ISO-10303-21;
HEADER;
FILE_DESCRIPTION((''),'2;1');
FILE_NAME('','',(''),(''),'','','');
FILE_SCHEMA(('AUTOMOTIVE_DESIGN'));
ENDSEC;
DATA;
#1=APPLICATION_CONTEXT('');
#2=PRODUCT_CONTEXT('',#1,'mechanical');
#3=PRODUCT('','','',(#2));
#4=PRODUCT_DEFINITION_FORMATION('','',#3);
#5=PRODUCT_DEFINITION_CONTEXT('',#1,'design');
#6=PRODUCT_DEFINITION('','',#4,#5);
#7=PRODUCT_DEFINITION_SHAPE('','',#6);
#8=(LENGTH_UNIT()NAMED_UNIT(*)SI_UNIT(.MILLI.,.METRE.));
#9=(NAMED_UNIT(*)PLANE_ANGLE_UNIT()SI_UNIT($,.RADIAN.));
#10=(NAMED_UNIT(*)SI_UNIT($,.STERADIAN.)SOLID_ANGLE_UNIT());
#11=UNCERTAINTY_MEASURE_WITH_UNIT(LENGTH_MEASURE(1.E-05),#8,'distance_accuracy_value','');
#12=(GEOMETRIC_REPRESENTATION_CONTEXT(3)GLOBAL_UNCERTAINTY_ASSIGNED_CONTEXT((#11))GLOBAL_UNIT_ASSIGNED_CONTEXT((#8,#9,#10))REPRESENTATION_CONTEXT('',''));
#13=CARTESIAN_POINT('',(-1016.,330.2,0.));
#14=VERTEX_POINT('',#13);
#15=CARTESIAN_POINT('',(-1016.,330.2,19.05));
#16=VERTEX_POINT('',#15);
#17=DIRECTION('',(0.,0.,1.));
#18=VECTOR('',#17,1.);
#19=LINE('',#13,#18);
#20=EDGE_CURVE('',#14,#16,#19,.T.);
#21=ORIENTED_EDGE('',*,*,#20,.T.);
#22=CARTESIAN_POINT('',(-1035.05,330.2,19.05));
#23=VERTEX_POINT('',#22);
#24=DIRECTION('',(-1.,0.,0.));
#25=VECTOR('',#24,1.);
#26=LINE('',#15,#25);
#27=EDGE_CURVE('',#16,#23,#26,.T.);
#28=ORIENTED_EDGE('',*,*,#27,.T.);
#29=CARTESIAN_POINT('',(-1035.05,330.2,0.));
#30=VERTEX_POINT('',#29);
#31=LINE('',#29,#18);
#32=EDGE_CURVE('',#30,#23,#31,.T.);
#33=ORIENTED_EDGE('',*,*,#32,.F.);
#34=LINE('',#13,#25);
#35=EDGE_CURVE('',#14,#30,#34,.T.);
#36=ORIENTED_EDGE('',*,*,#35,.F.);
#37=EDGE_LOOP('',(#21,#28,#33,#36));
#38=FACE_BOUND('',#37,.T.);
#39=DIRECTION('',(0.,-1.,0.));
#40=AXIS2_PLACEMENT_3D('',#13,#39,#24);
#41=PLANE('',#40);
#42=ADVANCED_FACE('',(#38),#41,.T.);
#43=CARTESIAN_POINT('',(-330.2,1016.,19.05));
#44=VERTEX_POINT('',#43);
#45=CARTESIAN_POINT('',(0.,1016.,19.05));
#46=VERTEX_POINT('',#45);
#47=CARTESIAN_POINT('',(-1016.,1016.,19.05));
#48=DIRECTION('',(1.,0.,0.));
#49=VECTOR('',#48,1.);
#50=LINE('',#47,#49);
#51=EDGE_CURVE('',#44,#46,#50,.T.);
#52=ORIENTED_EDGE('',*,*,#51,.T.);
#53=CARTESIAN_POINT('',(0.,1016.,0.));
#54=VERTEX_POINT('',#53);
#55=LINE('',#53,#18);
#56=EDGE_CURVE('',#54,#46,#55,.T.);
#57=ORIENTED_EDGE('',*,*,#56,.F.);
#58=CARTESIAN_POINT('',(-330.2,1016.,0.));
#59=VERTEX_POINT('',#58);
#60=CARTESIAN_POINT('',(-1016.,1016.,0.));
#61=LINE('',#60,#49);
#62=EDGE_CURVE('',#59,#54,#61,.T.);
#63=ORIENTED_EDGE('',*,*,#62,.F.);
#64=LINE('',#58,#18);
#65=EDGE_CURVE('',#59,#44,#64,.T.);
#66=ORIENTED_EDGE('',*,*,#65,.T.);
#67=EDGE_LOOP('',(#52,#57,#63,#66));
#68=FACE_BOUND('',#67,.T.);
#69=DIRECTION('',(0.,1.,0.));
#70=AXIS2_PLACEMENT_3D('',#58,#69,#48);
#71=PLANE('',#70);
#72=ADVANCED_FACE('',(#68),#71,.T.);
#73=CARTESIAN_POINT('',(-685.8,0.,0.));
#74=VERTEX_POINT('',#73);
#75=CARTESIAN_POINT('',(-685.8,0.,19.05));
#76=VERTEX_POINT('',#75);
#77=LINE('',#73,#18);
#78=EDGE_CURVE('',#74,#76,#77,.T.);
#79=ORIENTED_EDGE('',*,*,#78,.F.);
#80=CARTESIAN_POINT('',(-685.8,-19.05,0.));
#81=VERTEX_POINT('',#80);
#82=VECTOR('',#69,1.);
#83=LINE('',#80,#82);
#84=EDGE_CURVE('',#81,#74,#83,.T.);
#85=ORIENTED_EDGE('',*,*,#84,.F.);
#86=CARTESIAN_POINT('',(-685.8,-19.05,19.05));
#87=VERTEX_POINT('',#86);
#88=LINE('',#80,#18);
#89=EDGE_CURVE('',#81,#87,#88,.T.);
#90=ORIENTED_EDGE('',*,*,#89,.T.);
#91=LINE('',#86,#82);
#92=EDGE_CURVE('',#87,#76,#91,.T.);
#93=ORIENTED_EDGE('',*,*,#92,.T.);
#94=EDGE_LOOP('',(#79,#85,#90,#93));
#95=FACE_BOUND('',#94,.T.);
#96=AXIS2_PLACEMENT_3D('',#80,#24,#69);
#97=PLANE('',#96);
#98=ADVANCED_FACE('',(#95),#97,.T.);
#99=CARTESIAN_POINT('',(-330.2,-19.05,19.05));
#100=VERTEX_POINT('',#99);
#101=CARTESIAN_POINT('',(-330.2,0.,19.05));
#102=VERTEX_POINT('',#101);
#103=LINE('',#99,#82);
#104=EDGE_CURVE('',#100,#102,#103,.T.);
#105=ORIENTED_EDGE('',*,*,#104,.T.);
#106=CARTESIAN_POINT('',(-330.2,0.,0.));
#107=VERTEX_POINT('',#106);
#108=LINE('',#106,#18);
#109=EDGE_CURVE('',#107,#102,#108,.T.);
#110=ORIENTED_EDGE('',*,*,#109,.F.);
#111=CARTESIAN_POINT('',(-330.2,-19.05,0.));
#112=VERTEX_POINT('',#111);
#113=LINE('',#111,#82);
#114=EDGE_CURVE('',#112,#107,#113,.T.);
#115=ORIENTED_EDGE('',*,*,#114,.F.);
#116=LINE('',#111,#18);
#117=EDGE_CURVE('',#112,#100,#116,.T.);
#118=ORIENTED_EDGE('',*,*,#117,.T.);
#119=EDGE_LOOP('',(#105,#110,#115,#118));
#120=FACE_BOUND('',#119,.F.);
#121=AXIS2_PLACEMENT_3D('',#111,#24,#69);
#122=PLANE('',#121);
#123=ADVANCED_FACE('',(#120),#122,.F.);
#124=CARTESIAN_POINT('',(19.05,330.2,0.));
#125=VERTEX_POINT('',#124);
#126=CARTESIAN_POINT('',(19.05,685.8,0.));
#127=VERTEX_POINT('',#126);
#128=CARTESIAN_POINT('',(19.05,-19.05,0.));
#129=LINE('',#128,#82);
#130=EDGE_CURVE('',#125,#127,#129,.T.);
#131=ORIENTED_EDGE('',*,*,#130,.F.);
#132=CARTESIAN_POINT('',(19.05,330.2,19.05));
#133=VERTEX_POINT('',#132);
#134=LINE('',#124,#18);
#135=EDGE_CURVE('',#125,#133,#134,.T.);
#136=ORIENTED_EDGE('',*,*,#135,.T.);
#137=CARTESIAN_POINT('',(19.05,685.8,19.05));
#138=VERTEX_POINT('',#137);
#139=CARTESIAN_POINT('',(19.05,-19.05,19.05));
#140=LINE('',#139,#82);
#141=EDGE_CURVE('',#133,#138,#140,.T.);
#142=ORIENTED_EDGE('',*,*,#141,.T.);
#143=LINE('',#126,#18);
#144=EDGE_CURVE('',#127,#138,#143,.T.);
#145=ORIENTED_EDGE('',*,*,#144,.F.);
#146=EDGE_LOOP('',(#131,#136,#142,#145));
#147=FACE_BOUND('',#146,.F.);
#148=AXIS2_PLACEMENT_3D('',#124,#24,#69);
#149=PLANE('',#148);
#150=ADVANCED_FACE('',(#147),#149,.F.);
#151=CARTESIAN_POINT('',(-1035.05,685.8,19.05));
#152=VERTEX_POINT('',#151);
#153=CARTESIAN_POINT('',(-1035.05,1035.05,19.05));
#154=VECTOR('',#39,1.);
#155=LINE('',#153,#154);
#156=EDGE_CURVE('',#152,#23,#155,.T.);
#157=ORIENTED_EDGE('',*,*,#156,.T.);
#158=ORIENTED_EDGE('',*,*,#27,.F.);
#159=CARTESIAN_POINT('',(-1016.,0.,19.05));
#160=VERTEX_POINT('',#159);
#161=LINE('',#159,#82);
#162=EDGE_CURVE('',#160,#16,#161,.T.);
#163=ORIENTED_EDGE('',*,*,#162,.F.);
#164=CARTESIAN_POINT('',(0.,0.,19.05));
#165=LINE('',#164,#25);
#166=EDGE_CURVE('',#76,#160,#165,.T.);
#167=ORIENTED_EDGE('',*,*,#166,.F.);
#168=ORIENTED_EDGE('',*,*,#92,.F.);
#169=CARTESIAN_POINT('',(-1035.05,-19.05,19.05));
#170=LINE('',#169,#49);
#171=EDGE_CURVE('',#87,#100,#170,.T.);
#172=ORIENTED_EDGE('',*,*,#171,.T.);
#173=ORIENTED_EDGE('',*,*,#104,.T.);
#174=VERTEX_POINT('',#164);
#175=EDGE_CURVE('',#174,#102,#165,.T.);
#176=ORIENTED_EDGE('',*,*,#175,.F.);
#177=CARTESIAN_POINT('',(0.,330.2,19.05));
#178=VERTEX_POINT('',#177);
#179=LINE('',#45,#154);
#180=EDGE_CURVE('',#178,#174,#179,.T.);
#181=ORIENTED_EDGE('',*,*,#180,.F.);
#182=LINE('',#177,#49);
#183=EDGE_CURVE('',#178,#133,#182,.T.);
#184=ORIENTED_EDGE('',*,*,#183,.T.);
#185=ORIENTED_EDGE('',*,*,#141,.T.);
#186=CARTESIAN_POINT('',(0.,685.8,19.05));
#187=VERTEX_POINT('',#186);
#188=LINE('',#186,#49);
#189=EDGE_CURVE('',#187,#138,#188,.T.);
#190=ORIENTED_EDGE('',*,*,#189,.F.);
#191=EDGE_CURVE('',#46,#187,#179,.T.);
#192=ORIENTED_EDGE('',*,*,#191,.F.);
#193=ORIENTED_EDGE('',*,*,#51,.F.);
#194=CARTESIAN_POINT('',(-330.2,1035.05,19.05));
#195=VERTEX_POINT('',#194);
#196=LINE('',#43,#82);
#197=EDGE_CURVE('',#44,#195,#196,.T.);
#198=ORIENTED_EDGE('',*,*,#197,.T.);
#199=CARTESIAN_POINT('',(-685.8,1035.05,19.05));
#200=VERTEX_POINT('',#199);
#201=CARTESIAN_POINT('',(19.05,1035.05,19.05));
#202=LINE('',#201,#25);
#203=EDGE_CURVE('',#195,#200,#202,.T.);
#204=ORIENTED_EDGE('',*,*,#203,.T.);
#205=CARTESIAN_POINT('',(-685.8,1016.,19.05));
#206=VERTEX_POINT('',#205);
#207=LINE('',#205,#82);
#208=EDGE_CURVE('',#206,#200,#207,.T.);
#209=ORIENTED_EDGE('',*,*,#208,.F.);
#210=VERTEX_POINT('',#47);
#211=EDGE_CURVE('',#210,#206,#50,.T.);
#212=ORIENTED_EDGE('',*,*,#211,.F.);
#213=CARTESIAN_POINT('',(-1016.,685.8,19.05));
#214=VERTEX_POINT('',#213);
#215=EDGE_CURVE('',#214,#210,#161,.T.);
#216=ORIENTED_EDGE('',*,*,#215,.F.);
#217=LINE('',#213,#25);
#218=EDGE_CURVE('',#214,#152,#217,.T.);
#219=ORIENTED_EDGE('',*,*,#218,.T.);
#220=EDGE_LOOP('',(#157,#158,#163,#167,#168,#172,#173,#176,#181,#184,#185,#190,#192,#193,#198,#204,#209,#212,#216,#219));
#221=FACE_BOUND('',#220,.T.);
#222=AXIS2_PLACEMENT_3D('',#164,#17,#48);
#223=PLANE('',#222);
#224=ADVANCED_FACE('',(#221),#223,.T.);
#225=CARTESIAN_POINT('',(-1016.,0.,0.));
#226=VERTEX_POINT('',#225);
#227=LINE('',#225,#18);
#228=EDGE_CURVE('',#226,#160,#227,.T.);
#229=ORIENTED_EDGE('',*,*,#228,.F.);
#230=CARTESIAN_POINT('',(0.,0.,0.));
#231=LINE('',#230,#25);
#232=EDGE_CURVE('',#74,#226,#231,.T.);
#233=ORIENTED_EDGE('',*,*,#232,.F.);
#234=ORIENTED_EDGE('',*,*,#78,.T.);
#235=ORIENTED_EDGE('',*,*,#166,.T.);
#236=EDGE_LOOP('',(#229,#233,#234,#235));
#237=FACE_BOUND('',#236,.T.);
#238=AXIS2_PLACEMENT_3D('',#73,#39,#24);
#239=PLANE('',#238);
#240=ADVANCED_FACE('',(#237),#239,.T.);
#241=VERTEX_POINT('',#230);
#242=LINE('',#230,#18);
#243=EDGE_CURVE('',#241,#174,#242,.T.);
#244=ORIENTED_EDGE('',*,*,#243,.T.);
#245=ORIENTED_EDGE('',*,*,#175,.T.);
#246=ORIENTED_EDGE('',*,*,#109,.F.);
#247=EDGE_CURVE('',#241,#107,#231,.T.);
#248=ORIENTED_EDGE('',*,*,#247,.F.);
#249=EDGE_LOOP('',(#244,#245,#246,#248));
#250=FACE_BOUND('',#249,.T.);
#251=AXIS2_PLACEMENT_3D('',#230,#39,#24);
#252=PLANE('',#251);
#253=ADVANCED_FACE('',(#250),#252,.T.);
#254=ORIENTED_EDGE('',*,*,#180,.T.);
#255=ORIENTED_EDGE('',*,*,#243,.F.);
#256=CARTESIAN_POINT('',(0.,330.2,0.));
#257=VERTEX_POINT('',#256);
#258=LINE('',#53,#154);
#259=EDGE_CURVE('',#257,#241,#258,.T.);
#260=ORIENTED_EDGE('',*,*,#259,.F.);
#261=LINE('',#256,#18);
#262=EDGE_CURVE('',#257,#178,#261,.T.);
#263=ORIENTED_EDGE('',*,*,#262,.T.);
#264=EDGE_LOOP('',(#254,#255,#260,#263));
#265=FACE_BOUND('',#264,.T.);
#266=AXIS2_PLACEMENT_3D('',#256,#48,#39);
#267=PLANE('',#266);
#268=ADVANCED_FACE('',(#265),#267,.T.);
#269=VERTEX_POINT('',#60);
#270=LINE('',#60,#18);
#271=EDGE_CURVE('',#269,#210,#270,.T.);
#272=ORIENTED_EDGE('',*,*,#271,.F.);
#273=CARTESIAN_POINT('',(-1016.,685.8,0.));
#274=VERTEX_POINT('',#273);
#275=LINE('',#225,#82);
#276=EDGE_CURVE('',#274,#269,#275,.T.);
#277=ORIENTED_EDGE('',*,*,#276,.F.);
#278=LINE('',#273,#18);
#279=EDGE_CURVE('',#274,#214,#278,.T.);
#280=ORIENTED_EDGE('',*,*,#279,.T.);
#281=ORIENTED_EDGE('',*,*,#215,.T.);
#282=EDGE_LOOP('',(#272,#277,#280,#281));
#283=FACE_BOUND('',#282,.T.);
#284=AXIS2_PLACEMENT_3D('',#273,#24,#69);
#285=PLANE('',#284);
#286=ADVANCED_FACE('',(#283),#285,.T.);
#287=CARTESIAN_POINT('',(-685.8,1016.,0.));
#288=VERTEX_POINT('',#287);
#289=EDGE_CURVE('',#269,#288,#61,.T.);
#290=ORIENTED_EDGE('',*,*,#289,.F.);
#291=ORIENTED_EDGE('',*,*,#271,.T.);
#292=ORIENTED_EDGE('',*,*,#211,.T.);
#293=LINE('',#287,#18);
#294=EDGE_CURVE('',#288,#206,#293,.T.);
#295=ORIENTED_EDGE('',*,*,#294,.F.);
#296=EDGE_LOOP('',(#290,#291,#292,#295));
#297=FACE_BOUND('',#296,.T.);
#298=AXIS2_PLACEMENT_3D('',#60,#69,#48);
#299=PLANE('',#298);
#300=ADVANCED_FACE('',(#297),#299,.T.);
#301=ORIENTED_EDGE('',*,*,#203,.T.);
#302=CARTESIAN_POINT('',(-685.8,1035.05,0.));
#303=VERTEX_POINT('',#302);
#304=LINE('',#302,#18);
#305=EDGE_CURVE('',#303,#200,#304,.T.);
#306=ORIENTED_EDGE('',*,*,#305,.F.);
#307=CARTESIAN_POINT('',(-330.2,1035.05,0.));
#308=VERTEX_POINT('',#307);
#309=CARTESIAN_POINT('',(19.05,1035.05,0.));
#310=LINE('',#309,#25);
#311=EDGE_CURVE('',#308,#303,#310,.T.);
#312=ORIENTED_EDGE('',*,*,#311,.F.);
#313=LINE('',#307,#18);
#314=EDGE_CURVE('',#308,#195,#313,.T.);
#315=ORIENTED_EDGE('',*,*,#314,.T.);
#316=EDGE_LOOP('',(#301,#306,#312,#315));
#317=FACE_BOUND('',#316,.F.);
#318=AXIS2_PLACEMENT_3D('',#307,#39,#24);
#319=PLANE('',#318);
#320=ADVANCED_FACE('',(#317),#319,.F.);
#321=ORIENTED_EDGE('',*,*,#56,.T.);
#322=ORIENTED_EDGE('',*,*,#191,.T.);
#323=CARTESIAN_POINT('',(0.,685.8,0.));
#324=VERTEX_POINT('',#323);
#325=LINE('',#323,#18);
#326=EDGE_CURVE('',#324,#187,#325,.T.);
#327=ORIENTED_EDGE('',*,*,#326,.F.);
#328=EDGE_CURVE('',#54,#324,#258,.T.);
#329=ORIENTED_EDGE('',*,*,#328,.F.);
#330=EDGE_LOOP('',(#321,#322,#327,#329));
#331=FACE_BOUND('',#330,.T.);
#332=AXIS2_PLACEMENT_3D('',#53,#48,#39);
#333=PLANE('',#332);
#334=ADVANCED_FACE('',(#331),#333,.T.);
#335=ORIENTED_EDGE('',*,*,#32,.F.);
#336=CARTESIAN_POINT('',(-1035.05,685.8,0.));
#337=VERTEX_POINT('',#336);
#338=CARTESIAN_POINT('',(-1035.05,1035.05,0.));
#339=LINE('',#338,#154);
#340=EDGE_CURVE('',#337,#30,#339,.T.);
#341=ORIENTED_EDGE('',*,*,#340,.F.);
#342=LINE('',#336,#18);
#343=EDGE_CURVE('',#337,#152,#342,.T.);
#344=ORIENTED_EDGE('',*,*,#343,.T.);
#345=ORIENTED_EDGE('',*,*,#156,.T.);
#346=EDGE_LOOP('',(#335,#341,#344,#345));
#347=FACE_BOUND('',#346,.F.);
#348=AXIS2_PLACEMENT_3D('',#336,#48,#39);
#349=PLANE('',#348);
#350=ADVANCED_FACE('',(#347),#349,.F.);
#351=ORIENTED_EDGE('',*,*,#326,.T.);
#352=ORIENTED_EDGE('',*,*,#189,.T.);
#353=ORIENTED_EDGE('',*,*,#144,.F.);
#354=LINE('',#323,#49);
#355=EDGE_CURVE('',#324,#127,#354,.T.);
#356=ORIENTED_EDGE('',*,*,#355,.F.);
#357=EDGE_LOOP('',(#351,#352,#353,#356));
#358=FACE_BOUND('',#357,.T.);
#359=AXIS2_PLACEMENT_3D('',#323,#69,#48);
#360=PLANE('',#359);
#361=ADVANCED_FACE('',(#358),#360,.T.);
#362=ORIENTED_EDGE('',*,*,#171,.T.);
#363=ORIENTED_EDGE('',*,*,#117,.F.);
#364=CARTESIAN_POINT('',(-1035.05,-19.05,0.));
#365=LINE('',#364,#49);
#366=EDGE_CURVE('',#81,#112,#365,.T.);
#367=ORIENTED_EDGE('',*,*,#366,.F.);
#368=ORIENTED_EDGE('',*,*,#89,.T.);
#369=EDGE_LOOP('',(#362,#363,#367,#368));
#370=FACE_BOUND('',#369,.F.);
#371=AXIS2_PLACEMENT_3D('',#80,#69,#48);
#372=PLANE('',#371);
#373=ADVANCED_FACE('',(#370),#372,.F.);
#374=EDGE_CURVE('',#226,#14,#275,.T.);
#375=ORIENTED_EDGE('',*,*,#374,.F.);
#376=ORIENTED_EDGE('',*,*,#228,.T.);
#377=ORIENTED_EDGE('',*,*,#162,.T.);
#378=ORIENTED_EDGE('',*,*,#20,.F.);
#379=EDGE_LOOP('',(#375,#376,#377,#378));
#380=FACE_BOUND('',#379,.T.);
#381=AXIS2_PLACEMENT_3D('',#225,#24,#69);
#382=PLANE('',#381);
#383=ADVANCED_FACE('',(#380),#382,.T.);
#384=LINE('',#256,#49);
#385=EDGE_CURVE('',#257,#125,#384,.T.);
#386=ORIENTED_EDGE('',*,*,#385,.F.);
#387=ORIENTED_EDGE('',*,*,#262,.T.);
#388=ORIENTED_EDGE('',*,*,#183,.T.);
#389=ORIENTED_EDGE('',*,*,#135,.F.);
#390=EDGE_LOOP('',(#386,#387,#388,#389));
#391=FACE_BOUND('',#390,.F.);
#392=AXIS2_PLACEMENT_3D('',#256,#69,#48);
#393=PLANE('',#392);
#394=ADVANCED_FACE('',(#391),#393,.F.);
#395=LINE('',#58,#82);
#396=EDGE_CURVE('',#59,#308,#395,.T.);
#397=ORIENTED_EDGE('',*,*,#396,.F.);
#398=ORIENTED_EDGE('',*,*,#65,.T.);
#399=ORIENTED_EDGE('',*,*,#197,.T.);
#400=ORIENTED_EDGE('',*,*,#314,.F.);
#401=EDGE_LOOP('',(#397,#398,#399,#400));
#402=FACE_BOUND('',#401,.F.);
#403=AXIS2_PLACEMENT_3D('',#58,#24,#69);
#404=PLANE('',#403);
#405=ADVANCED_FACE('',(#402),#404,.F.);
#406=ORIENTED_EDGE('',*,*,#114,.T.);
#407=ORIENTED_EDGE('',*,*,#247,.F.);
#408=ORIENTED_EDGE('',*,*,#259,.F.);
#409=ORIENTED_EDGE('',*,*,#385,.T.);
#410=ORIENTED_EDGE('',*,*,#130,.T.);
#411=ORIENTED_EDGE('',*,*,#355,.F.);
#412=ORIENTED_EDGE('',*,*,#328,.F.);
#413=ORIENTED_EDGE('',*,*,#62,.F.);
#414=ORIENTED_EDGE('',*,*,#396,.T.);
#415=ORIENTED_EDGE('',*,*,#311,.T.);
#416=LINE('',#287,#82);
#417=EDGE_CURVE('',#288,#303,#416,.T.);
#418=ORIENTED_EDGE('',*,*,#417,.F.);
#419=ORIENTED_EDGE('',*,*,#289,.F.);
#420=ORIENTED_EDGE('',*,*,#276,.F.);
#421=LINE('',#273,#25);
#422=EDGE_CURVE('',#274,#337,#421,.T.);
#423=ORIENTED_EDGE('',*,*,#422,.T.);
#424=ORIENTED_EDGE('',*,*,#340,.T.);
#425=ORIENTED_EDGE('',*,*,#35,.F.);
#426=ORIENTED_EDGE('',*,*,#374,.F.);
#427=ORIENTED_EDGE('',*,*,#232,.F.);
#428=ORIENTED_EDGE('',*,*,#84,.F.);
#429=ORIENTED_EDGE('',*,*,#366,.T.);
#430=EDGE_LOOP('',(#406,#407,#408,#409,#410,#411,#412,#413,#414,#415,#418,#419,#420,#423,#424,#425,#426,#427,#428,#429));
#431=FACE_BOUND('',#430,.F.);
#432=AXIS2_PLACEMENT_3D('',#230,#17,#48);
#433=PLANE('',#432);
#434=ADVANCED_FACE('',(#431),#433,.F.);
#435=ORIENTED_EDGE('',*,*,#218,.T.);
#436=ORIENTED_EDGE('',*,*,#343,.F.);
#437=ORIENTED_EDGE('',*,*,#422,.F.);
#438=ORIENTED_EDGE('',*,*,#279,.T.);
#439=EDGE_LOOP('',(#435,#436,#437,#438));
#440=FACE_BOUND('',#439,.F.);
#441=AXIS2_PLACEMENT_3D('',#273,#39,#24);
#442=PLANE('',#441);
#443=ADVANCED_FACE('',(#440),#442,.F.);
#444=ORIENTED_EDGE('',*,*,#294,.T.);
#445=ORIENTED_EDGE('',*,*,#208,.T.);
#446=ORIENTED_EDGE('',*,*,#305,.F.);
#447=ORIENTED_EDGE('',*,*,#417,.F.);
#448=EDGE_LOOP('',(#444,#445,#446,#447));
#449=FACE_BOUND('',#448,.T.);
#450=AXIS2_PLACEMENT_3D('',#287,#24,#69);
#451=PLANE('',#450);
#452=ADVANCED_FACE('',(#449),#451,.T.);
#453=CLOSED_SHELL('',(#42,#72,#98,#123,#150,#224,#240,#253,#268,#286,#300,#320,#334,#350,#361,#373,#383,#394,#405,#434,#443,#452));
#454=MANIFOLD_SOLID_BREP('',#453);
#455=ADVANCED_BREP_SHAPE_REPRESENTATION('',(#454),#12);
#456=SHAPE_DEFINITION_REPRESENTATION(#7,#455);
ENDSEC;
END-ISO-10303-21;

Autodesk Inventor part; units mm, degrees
ref_plane "YZ Plane" through (0, 0, 0) normal (1, 0, 0) x (0, 1, 0)
ref_plane "XZ Plane" through (0, 0, 0) normal (0, 1, 0) x (-1, 0, 0)
ref_plane "XY Plane" through (0, 0, 0) normal (0, 0, 1) x (1, 0, 0)
sketch "Sketch1" plane through (0, 0, 0) normal (0, 0, 1) x (1, 0, 0)
  line L0 (0, 0) -> (-1016, 0)
  line L1 (-1016, 0) -> (-1016, 1016)
  line L2 (-1016, 1016) -> (0, 1016)
  line L3 (0, 1016) -> (0, 0)
  line L4 (19.05, 1035.05) -> (-1035.05, 1035.05)
  line L5 (-1035.05, 1035.05) -> (-1035.05, -19.05)
  line L6 (-1035.05, -19.05) -> (19.05, -19.05)
  line L7 (19.05, -19.05) -> (19.05, 1035.05)
  line L8 (-685.8, 1016) -> (-685.8, 1035.05)
  line L9 (-330.2, 1016) -> (-330.2, 1035.05)
  line L10 (-685.8, -19.05) -> (-685.8, 0)
  line L11 (-330.2, -19.05) -> (-330.2, 0)
  line L12 (0, 330.2) -> (19.05, 330.2)
  line L13 (0, 685.8) -> (19.05, 685.8)
  line L14 (-1016, 685.8) -> (-1035.05, 685.8)
  line L15 (-1016, 330.2) -> (-1035.05, 330.2)
  point P0 (-1644.65, 1016)
  point P1 (-1644.65, 1035.05)
  point P2 (-387.35, 1016)
  point P3 (-387.35, 1035.05)
  point P4 (-685.8, -19.05)
  point P5 (-685.8, 0)
  point P6 (-330.2, 0)
  point P7 (-330.2, -19.05)
  dimension "d0" = 1016
  dimension "d1" = 1016
  dimension "d2" = 19.05
  dimension "d5" = 355.6
  dimension "d7" = 355.6
  dimension "d10" = 349.25
  dimension "d11" = 349.25
  dimension "d12" = 355.6
  dimension "d13" = 349.25
  dimension "d14" = 349.25
  dimension "d15" = 349.25
  dimension "d18" = 349.25
extrude "Extrusion1" add sketch "Sketch1" along normal blind 19.05 contours L0 L1 L2 L3 | L11 L6 L10 L0 | L3 L13 L7 L12 | L15 L5 L14 L1 | L2 L8 L4 L9
properties part number "Final Product backplate"
